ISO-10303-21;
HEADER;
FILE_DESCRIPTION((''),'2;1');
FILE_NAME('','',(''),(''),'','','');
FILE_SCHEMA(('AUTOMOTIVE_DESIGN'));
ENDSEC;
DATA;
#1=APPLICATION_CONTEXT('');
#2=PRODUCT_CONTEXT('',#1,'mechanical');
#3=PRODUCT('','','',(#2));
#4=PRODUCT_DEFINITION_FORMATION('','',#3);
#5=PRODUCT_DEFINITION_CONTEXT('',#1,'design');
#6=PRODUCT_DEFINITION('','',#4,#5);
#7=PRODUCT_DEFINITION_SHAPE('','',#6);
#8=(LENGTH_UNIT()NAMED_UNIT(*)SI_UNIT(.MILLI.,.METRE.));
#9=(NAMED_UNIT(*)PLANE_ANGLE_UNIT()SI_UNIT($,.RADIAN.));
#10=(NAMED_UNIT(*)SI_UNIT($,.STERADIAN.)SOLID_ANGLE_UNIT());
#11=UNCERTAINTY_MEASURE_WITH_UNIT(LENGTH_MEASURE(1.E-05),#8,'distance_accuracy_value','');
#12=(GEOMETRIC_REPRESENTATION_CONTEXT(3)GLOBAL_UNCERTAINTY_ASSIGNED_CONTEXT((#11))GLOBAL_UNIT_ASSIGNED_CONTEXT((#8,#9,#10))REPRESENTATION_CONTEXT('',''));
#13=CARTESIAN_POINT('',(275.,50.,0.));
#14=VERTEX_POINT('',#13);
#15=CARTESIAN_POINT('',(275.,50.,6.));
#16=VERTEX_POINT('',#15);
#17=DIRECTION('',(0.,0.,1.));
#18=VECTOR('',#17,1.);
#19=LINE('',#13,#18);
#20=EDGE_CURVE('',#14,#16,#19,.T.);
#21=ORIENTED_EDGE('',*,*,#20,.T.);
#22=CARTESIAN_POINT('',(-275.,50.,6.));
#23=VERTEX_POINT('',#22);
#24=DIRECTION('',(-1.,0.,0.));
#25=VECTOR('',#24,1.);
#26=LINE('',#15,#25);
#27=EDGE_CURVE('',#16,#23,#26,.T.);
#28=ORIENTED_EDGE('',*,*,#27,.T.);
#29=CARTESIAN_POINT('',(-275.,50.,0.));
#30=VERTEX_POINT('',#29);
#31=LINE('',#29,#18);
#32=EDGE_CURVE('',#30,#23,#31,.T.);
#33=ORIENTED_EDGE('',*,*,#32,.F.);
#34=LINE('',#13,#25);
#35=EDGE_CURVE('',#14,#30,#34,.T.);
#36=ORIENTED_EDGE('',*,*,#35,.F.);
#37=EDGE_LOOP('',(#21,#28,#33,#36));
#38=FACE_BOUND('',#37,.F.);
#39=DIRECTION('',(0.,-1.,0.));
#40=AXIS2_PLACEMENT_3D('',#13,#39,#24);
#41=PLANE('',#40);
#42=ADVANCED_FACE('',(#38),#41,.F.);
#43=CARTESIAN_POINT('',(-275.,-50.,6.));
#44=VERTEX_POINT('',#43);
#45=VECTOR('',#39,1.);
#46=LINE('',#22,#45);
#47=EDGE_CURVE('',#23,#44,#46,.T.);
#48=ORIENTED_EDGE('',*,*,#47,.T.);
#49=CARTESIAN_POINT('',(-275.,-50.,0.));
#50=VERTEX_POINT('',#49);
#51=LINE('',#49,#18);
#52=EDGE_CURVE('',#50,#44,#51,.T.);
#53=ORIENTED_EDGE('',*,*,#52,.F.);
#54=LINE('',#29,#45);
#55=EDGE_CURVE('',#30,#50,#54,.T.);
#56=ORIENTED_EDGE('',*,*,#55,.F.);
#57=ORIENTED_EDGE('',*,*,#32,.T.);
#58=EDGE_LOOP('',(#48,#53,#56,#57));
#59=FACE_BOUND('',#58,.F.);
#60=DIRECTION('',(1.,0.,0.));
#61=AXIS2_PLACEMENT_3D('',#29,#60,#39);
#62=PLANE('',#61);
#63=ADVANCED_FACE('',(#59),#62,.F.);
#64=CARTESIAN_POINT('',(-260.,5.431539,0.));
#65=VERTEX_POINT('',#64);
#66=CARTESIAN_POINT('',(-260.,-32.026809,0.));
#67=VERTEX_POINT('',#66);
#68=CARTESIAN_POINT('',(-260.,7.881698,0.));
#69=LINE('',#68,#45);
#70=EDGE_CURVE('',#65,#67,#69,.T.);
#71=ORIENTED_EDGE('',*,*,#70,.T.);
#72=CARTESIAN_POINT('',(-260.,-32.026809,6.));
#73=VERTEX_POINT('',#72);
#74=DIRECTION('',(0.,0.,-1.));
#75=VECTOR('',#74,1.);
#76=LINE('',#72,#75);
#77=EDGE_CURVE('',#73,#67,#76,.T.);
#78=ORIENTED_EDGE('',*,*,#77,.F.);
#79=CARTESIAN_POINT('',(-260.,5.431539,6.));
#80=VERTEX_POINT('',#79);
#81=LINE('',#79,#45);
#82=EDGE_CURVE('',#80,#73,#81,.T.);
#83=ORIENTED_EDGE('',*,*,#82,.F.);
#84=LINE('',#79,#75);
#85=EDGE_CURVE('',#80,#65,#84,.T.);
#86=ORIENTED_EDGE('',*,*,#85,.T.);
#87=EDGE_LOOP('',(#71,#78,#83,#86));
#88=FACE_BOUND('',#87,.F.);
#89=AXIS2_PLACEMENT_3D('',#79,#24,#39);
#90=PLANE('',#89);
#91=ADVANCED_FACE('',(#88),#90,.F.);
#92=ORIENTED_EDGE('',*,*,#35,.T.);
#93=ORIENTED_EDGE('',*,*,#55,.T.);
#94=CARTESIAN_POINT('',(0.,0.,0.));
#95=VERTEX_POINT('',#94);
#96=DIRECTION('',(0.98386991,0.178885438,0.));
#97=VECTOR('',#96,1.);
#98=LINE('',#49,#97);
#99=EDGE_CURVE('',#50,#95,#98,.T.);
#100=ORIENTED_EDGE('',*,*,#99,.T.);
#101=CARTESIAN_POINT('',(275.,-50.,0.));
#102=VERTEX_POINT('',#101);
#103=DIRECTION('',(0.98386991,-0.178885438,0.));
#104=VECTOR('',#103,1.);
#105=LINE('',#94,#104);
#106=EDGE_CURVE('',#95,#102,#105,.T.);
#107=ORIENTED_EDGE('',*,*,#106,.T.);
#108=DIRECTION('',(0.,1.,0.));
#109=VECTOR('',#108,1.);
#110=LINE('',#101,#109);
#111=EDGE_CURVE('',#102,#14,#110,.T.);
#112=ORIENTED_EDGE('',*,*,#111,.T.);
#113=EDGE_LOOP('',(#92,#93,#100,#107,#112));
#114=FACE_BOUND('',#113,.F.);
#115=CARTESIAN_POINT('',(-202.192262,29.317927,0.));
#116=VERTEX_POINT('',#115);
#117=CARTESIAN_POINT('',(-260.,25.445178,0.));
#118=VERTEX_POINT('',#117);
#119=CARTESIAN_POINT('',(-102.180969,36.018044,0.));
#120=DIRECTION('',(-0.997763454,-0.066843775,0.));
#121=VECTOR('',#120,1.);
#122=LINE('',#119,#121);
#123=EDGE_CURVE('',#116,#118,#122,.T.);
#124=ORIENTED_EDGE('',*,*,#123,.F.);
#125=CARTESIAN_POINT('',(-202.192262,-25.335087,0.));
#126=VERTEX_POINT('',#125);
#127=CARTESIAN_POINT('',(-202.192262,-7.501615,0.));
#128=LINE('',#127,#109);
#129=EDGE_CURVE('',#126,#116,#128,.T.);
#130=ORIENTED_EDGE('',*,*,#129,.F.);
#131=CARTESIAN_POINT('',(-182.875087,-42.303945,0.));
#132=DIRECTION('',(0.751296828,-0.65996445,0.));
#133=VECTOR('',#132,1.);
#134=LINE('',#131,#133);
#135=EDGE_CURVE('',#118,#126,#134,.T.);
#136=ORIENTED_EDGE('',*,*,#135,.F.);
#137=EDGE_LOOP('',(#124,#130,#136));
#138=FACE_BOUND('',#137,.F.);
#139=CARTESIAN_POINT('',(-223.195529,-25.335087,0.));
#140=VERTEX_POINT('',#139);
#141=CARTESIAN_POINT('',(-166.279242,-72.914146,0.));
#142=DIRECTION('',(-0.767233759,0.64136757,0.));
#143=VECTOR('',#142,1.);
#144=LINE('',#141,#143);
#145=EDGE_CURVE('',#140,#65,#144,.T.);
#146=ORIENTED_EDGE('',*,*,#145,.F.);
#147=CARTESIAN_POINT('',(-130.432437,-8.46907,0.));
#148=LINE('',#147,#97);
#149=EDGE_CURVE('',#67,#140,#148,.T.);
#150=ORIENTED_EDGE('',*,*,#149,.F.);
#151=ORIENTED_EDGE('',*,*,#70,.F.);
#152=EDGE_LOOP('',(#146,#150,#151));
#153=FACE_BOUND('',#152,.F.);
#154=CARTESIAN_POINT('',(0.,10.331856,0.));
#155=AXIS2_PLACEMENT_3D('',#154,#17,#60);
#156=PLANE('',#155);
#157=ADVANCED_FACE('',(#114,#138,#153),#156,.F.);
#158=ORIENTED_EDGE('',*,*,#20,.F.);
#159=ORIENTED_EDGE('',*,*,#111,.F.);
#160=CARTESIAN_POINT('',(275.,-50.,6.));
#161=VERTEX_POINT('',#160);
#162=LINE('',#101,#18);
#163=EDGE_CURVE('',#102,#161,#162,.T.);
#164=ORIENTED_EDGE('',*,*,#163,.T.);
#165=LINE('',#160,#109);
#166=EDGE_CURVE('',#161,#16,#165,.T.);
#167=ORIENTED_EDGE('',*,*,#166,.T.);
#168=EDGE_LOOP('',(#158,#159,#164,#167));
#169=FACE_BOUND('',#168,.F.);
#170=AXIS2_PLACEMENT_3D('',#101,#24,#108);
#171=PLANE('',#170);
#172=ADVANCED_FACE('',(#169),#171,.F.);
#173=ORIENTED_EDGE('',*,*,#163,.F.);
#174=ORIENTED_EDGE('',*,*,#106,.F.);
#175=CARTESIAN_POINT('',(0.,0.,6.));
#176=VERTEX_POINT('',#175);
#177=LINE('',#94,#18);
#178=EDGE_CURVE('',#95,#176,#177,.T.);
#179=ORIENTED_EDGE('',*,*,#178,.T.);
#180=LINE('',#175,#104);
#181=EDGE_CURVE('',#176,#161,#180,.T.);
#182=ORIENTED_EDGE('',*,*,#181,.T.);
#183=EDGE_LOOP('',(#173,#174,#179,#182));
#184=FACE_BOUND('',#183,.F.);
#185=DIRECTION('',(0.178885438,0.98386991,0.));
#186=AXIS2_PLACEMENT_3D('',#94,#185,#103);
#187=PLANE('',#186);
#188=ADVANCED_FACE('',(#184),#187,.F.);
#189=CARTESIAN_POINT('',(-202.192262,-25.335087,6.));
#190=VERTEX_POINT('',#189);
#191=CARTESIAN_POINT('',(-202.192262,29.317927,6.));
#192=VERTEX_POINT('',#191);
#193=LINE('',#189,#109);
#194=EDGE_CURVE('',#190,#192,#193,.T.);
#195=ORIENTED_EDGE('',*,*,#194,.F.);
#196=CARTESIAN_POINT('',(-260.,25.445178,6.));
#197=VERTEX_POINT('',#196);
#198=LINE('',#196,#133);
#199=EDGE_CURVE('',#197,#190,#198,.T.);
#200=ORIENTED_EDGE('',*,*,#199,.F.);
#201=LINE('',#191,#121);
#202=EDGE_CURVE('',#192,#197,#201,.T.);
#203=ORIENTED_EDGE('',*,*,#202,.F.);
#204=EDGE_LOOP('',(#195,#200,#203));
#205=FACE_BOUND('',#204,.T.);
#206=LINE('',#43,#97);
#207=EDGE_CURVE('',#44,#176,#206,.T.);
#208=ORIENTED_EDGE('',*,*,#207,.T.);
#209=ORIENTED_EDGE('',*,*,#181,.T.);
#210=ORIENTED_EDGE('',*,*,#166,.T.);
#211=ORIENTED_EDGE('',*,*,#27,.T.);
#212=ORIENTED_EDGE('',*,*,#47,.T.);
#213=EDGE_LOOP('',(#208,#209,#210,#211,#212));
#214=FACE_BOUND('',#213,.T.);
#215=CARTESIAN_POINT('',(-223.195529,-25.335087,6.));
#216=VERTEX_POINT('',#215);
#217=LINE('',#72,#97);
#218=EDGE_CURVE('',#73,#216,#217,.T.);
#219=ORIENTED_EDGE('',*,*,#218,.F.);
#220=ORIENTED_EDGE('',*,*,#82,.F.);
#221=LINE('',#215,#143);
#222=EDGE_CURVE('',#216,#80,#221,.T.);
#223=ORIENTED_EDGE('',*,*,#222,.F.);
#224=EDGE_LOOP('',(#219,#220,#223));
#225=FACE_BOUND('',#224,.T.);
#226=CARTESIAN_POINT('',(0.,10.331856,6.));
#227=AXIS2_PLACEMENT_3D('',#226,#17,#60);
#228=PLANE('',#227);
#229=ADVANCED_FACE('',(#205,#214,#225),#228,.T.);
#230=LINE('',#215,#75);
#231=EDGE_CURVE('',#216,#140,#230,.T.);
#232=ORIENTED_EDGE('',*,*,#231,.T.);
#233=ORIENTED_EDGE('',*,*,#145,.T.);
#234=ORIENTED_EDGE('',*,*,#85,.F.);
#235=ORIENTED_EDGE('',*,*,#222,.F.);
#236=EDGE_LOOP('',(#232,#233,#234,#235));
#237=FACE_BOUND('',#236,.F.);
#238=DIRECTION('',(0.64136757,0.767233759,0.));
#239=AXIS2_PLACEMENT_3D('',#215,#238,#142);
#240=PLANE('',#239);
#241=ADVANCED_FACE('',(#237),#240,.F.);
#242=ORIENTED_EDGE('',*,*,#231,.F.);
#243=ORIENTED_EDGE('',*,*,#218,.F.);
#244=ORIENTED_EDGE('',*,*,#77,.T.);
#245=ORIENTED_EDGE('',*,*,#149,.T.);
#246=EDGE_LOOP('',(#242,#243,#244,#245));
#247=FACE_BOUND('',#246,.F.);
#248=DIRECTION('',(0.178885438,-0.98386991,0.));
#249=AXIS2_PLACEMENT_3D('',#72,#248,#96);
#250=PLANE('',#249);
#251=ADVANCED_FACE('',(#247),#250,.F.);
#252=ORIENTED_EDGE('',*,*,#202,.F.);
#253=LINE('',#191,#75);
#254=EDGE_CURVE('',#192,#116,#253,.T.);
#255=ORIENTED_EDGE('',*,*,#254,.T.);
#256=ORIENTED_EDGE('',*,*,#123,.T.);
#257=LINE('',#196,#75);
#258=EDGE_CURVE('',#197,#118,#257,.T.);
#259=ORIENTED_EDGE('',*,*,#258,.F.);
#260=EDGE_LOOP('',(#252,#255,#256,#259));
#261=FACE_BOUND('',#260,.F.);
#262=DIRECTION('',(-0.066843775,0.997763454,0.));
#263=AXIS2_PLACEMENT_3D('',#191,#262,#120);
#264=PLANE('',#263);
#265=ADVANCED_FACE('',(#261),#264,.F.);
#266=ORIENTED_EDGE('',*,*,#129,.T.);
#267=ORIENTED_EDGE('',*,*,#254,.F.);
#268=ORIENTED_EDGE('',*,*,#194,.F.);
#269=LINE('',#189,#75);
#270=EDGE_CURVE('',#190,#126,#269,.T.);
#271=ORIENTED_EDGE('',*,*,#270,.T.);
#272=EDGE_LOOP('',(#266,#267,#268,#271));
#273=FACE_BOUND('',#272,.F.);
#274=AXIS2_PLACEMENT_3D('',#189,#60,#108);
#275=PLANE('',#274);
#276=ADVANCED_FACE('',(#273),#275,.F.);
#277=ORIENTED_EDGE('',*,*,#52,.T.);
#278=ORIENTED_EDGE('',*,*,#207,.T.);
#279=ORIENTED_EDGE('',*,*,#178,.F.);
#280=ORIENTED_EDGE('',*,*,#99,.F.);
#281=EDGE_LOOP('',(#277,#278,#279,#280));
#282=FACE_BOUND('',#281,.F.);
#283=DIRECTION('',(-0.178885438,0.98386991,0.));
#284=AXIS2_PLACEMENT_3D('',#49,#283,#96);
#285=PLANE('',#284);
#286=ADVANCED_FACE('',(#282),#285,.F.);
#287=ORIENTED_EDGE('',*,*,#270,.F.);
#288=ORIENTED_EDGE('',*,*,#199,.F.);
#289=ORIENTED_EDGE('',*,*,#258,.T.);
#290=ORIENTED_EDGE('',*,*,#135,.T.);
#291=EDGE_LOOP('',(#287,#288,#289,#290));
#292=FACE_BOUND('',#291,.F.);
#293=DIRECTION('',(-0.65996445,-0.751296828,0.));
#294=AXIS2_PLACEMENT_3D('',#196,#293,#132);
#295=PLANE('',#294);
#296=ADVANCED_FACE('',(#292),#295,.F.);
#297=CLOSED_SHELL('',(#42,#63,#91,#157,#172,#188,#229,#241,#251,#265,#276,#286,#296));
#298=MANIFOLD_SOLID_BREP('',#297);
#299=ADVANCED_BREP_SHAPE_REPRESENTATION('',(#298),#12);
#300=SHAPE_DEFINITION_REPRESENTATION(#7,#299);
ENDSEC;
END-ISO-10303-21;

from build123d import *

# Parameters (mm, degrees)
F1_DEPTH = 6
F3_DEPTH = 25


with BuildPart() as f1:
    # F0 (on Top) → F1 (new body)
    with BuildSketch(Plane.XY):
        Polygon((275, -50), (275, 50), (-275, 50), (-275, -50), (0, 0), align=None)
    extrude(amount=F1_DEPTH)

    # F2 (on face) → F3 (cut)
    with BuildSketch(Plane.XY.offset(6)):
        Polygon((-223.195529, -25.335087), (-260, 5.431539), (-260, -32.026809), align=None)
        Polygon((-202.192262, 29.317927), (-260, 25.445178), (-202.192262, -25.335087), align=None)
    extrude(amount=-F3_DEPTH, mode=Mode.SUBTRACT)


solid = f1.part
